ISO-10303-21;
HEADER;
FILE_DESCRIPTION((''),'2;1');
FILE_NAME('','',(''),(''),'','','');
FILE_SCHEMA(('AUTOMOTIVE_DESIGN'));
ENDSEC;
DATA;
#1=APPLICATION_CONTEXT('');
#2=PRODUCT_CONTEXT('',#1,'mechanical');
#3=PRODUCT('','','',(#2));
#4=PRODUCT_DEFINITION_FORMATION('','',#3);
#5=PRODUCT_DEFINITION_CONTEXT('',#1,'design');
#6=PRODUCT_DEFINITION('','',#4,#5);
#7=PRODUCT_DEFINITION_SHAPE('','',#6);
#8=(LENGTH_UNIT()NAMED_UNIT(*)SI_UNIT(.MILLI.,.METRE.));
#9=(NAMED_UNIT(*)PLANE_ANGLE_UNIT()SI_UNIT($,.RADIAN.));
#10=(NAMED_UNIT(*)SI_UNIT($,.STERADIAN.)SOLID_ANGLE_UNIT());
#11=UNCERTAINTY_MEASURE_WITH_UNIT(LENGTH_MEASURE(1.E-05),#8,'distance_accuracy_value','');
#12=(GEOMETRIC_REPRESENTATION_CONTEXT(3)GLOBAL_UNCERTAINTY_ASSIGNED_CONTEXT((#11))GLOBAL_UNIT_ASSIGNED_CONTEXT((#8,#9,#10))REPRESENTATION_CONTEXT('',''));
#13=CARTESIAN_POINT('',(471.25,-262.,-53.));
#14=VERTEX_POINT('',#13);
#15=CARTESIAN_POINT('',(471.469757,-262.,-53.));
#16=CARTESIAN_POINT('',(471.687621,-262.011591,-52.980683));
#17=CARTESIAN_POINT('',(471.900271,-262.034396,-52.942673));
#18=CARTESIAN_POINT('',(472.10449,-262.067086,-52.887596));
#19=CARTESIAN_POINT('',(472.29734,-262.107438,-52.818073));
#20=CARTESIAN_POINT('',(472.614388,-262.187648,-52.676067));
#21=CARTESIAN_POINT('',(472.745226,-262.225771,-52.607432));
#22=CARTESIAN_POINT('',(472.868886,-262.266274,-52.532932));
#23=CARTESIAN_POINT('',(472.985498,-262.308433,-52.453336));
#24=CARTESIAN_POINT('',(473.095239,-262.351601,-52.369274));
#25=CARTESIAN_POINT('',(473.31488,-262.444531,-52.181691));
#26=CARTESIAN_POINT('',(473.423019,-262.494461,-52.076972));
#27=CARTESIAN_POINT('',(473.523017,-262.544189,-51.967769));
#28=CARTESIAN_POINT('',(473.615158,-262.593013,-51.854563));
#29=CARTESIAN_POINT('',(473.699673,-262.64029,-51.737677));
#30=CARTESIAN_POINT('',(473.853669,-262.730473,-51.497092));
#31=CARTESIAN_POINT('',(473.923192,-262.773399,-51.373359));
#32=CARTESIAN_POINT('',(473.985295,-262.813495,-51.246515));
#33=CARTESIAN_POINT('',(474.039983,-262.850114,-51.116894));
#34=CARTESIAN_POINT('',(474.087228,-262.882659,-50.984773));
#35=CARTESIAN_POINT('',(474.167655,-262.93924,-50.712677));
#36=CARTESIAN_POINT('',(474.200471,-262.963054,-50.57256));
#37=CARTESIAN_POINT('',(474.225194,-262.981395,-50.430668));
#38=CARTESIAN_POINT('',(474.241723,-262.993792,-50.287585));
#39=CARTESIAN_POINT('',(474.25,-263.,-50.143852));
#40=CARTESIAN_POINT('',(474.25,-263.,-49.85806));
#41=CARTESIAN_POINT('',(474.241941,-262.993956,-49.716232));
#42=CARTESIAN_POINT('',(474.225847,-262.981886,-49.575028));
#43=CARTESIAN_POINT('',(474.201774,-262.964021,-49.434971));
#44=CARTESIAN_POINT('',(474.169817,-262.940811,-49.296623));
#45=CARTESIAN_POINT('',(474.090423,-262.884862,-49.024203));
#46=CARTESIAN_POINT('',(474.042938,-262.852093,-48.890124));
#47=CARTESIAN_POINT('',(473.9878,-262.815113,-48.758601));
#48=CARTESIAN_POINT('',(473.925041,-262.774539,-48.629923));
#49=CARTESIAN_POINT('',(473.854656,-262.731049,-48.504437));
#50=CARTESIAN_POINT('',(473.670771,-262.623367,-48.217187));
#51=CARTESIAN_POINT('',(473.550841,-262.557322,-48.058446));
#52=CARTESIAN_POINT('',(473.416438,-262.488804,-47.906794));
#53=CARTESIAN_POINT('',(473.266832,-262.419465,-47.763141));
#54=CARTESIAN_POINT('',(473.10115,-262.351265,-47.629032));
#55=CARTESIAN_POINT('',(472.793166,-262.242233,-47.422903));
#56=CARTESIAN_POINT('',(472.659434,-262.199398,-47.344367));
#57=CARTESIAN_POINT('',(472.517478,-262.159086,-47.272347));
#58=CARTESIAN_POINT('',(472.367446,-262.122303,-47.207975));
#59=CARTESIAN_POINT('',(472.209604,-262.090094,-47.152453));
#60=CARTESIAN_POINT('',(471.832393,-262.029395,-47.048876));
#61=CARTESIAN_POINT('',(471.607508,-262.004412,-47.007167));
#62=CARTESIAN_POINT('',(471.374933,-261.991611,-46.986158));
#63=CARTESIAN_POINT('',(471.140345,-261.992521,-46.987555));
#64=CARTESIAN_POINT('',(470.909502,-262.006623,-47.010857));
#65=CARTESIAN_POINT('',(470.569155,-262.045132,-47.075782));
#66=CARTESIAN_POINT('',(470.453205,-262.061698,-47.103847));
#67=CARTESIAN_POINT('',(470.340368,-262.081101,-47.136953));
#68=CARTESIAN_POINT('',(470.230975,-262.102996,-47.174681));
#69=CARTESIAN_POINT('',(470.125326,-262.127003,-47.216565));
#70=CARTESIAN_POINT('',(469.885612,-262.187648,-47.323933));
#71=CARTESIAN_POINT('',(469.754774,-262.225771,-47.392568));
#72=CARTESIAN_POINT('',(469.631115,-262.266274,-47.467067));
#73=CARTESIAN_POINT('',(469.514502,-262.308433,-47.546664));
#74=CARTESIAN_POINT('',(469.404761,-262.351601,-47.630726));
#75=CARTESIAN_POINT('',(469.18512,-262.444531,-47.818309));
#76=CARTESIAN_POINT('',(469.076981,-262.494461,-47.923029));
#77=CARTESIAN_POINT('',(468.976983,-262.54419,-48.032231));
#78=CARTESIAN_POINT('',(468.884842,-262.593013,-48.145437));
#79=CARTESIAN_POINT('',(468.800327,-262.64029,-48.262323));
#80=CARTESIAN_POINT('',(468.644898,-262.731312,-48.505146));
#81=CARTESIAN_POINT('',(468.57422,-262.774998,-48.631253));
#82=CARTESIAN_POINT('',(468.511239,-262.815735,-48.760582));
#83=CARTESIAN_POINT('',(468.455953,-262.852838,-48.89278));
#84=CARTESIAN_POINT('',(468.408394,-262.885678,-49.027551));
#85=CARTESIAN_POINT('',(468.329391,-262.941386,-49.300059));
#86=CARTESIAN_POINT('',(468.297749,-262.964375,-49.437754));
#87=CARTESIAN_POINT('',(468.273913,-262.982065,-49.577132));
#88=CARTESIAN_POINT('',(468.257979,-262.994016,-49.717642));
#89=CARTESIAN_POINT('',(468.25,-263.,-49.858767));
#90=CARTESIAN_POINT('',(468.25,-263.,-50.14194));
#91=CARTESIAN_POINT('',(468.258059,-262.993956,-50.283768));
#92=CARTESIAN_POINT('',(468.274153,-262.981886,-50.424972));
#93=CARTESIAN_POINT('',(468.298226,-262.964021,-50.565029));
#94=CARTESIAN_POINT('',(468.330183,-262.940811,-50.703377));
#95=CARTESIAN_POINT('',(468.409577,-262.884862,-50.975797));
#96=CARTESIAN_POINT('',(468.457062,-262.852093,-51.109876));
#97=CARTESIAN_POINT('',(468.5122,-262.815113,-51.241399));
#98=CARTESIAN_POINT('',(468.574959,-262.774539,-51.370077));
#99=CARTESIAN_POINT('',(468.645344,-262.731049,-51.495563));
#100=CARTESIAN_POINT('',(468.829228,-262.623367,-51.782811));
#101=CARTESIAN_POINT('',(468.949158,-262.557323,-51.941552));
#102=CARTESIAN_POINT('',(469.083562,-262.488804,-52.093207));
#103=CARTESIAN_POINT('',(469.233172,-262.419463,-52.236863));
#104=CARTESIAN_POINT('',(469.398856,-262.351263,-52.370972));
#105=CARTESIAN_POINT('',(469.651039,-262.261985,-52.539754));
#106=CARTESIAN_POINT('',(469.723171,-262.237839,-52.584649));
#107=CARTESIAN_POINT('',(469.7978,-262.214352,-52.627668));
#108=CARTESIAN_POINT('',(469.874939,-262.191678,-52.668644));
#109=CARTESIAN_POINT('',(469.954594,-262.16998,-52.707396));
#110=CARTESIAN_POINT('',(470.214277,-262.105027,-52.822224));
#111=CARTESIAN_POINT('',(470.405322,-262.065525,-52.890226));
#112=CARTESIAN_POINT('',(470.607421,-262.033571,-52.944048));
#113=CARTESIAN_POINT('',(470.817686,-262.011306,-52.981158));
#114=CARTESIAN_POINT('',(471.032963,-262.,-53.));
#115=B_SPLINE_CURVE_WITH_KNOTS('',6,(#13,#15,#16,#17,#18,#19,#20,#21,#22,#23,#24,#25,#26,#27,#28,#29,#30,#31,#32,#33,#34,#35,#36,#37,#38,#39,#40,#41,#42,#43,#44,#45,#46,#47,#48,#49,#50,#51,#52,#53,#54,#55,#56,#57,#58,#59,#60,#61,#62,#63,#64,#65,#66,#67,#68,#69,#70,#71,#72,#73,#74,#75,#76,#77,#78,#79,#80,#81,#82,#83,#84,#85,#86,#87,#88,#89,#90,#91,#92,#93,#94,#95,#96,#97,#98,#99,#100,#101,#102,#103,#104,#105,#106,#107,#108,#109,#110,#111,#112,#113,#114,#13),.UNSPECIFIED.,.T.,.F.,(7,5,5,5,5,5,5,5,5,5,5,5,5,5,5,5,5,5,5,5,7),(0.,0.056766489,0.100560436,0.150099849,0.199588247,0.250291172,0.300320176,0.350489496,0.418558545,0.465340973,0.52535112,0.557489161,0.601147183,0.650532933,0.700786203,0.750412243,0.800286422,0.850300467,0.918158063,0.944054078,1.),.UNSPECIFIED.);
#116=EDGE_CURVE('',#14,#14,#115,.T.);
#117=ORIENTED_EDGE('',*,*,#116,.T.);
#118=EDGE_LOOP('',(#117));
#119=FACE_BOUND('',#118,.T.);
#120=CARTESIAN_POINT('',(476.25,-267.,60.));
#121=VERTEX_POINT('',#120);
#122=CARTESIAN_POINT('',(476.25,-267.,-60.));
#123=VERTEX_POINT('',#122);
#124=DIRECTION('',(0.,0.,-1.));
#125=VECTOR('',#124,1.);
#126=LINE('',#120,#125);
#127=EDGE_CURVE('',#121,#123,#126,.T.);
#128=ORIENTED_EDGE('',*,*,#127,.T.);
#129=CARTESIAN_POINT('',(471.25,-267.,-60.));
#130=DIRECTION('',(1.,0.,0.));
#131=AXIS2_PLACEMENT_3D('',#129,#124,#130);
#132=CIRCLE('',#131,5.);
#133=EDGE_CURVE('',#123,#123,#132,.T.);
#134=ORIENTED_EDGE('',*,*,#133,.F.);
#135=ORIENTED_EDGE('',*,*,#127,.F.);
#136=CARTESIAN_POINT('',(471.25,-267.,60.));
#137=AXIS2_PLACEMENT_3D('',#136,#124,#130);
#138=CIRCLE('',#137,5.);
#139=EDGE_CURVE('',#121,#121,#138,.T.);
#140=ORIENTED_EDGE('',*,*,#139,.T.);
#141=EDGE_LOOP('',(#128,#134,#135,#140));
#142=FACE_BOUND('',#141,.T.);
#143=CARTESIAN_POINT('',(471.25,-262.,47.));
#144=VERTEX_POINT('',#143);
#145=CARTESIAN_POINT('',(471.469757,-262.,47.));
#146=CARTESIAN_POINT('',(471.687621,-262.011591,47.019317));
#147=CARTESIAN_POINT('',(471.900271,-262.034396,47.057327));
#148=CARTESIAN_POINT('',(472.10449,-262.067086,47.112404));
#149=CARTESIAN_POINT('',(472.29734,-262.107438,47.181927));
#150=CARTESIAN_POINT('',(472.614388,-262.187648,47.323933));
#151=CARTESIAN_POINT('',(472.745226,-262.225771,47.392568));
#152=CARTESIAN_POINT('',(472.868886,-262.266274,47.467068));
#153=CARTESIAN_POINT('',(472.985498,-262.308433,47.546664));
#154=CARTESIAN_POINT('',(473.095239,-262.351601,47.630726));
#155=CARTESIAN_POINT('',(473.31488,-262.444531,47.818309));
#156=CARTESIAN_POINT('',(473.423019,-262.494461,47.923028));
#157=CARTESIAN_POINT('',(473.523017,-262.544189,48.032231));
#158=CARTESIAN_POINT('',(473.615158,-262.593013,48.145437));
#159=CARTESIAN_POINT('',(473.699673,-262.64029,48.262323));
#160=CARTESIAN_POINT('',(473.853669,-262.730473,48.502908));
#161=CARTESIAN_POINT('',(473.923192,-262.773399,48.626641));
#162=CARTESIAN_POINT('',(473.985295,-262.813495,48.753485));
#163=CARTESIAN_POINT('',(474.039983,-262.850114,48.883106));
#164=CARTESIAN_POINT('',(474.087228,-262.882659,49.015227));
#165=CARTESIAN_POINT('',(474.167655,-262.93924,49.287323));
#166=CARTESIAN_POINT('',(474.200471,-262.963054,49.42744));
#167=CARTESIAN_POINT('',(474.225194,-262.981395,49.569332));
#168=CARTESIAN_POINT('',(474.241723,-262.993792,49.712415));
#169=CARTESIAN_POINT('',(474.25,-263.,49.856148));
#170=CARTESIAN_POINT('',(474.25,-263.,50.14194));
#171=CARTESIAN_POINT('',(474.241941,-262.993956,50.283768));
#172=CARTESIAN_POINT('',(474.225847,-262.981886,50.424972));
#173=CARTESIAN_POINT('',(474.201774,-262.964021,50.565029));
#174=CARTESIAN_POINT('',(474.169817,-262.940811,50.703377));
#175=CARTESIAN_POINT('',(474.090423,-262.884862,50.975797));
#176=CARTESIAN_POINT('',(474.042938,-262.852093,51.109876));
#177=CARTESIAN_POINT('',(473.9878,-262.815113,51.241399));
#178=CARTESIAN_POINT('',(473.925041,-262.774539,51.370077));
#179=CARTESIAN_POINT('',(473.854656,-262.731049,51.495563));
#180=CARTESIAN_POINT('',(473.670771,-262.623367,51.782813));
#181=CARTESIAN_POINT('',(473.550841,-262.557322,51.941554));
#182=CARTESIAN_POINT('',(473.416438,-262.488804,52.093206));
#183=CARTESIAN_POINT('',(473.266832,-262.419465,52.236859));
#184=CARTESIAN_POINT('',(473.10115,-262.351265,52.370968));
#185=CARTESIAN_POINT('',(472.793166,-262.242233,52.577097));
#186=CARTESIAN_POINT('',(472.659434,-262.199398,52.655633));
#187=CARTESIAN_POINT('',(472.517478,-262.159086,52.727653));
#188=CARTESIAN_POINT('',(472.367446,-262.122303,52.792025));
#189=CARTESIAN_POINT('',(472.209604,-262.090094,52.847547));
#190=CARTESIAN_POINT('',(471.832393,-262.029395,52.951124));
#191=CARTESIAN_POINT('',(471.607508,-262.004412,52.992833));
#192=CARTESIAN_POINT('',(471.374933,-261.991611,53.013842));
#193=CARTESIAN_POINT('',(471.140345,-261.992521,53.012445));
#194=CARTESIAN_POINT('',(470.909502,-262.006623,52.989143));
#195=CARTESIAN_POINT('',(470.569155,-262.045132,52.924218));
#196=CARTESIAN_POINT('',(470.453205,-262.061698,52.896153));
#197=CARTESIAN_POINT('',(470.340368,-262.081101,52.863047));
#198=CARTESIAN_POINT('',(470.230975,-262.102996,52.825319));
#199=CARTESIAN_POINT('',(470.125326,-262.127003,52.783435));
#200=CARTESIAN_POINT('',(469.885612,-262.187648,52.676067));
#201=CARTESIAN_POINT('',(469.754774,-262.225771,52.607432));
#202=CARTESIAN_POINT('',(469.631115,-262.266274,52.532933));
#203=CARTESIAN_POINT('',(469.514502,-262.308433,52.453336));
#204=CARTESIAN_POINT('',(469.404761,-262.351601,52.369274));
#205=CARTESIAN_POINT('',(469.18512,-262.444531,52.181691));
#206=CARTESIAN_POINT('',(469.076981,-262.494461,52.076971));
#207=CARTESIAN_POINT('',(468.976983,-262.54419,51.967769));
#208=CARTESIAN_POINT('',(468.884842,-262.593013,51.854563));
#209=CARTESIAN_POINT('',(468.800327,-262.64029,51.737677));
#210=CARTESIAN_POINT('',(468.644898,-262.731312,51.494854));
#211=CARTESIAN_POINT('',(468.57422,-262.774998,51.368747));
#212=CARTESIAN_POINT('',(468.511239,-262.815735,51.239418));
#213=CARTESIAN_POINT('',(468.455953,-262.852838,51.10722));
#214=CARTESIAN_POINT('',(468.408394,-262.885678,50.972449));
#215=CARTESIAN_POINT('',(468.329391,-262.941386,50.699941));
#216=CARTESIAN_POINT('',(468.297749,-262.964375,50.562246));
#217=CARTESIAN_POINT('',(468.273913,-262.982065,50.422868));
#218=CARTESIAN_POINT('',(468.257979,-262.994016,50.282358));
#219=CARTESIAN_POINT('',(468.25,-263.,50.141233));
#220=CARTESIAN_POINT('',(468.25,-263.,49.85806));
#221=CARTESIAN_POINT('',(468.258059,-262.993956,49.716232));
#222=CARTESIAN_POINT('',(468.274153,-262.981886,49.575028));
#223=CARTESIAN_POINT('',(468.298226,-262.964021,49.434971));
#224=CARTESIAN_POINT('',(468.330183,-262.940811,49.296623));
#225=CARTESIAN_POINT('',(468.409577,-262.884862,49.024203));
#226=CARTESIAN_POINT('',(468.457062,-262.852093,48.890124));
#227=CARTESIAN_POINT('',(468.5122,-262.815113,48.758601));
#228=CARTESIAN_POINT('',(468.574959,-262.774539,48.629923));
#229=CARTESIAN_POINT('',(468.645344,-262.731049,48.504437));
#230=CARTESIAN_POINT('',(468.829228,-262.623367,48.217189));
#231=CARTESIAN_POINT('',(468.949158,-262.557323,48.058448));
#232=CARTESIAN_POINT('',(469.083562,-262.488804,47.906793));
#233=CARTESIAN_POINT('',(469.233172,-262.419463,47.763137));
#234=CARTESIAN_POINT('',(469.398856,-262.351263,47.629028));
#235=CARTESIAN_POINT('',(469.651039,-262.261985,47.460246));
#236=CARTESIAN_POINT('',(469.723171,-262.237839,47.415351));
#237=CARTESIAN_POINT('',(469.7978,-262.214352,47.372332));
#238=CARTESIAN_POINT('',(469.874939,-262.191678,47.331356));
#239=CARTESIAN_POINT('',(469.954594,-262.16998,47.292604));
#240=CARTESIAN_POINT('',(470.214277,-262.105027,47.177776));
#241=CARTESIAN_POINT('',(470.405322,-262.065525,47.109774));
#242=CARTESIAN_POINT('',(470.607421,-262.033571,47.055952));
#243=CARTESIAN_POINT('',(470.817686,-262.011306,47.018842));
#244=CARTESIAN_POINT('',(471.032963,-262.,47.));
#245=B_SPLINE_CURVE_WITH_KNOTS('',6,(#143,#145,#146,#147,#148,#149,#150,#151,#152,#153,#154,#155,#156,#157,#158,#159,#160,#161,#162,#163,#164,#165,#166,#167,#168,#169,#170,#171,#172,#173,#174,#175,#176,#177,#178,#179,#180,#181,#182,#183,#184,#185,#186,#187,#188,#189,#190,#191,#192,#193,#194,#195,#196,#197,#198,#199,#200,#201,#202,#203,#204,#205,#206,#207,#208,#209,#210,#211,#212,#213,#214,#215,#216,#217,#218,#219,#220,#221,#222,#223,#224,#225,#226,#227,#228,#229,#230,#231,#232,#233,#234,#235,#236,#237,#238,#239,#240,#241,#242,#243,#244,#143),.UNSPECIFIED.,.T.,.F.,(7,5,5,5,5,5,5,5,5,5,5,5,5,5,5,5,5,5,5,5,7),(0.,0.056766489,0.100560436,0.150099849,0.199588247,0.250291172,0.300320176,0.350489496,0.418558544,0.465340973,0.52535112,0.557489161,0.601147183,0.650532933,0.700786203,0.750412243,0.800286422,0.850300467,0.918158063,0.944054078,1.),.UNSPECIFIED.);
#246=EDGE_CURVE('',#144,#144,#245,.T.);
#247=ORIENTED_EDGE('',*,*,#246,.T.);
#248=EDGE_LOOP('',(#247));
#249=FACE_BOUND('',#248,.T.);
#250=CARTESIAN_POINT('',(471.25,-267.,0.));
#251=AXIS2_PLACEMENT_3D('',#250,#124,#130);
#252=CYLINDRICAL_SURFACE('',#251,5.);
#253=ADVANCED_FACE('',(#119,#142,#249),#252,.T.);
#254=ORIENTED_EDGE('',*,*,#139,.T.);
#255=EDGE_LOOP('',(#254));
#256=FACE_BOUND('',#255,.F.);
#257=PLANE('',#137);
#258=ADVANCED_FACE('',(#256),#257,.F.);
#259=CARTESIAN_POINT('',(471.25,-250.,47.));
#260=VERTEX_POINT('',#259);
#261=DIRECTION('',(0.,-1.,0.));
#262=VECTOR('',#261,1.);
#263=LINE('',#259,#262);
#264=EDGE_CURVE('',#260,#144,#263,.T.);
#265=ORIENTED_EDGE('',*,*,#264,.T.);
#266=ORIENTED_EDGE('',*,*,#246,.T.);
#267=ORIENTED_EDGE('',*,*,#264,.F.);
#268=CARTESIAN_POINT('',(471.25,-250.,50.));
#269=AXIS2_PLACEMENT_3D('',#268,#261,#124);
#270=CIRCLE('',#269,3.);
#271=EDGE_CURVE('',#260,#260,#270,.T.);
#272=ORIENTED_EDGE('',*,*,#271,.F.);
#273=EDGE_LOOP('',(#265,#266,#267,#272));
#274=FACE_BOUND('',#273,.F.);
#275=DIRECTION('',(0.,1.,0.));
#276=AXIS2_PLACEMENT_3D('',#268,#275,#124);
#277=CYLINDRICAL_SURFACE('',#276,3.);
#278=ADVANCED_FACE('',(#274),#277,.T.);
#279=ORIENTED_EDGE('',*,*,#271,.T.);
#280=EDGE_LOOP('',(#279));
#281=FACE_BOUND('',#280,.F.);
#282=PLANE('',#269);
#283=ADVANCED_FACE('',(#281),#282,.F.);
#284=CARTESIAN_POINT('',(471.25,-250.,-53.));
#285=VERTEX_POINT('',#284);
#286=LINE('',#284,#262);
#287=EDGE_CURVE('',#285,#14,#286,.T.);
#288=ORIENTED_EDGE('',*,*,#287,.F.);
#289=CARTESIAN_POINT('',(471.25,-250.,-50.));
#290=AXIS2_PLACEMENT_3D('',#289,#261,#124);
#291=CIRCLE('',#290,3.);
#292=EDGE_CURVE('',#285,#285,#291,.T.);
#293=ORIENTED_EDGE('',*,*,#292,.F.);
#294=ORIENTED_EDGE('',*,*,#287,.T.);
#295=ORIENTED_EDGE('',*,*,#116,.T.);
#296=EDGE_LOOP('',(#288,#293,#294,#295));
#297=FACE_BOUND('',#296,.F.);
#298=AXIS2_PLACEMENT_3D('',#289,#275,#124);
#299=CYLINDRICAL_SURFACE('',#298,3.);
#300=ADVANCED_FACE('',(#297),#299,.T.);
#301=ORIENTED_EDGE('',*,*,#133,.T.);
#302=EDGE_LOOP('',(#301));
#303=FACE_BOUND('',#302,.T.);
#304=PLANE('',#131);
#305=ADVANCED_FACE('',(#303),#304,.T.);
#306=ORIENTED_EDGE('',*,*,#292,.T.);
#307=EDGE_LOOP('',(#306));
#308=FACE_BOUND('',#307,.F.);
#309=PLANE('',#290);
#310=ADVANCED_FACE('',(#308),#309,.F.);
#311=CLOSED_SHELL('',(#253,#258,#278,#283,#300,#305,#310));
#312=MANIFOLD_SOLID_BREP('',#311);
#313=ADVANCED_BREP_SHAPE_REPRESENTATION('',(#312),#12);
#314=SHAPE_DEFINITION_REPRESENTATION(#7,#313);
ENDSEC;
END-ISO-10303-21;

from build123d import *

# Parameters (mm, degrees)
CLONE2D036_R           = 5
EXTRUDE084143376_DEPTH = 60
CLONE2D034_R           = 3
EXTRUDE084143377_DEPTH = 17
CLONE2D035_R           = 3
EXTRUDE084143375_DEPTH = 17


with BuildPart() as extrude084143376:
    # Clone2D036 (on Sketch) → Extrude084143376 (new body, symmetric)
    with BuildSketch(Plane(origin=(471.25, -267, 0), x_dir=(1, 0, 0), z_dir=(0, 0, -1))):
        Circle(CLONE2D036_R)
    extrude(amount=EXTRUDE084143376_DEPTH, both=True)


with BuildPart() as extrude084143377:
    # Clone2D034 (on Sketch) → Extrude084143377 (new body)
    with BuildSketch(Plane(origin=(471.25, -250, -50), x_dir=(0, 0, -1), z_dir=(0, -1, 0))):
        Circle(CLONE2D034_R)
    extrude(amount=EXTRUDE084143377_DEPTH)


with BuildPart() as fusion011:
    # Clone2D035 (on Sketch) → Extrude084143375 (new body)
    with BuildSketch(Plane(origin=(471.25, -250, 50), x_dir=(0, 0, -1), z_dir=(0, -1, 0))):
        Circle(CLONE2D035_R)
    extrude(amount=EXTRUDE084143375_DEPTH)

    # Fusion011: union Extrude084143376, Extrude084143377
    add(extrude084143376.part)
    add(extrude084143377.part)


solid = fusion011.part
